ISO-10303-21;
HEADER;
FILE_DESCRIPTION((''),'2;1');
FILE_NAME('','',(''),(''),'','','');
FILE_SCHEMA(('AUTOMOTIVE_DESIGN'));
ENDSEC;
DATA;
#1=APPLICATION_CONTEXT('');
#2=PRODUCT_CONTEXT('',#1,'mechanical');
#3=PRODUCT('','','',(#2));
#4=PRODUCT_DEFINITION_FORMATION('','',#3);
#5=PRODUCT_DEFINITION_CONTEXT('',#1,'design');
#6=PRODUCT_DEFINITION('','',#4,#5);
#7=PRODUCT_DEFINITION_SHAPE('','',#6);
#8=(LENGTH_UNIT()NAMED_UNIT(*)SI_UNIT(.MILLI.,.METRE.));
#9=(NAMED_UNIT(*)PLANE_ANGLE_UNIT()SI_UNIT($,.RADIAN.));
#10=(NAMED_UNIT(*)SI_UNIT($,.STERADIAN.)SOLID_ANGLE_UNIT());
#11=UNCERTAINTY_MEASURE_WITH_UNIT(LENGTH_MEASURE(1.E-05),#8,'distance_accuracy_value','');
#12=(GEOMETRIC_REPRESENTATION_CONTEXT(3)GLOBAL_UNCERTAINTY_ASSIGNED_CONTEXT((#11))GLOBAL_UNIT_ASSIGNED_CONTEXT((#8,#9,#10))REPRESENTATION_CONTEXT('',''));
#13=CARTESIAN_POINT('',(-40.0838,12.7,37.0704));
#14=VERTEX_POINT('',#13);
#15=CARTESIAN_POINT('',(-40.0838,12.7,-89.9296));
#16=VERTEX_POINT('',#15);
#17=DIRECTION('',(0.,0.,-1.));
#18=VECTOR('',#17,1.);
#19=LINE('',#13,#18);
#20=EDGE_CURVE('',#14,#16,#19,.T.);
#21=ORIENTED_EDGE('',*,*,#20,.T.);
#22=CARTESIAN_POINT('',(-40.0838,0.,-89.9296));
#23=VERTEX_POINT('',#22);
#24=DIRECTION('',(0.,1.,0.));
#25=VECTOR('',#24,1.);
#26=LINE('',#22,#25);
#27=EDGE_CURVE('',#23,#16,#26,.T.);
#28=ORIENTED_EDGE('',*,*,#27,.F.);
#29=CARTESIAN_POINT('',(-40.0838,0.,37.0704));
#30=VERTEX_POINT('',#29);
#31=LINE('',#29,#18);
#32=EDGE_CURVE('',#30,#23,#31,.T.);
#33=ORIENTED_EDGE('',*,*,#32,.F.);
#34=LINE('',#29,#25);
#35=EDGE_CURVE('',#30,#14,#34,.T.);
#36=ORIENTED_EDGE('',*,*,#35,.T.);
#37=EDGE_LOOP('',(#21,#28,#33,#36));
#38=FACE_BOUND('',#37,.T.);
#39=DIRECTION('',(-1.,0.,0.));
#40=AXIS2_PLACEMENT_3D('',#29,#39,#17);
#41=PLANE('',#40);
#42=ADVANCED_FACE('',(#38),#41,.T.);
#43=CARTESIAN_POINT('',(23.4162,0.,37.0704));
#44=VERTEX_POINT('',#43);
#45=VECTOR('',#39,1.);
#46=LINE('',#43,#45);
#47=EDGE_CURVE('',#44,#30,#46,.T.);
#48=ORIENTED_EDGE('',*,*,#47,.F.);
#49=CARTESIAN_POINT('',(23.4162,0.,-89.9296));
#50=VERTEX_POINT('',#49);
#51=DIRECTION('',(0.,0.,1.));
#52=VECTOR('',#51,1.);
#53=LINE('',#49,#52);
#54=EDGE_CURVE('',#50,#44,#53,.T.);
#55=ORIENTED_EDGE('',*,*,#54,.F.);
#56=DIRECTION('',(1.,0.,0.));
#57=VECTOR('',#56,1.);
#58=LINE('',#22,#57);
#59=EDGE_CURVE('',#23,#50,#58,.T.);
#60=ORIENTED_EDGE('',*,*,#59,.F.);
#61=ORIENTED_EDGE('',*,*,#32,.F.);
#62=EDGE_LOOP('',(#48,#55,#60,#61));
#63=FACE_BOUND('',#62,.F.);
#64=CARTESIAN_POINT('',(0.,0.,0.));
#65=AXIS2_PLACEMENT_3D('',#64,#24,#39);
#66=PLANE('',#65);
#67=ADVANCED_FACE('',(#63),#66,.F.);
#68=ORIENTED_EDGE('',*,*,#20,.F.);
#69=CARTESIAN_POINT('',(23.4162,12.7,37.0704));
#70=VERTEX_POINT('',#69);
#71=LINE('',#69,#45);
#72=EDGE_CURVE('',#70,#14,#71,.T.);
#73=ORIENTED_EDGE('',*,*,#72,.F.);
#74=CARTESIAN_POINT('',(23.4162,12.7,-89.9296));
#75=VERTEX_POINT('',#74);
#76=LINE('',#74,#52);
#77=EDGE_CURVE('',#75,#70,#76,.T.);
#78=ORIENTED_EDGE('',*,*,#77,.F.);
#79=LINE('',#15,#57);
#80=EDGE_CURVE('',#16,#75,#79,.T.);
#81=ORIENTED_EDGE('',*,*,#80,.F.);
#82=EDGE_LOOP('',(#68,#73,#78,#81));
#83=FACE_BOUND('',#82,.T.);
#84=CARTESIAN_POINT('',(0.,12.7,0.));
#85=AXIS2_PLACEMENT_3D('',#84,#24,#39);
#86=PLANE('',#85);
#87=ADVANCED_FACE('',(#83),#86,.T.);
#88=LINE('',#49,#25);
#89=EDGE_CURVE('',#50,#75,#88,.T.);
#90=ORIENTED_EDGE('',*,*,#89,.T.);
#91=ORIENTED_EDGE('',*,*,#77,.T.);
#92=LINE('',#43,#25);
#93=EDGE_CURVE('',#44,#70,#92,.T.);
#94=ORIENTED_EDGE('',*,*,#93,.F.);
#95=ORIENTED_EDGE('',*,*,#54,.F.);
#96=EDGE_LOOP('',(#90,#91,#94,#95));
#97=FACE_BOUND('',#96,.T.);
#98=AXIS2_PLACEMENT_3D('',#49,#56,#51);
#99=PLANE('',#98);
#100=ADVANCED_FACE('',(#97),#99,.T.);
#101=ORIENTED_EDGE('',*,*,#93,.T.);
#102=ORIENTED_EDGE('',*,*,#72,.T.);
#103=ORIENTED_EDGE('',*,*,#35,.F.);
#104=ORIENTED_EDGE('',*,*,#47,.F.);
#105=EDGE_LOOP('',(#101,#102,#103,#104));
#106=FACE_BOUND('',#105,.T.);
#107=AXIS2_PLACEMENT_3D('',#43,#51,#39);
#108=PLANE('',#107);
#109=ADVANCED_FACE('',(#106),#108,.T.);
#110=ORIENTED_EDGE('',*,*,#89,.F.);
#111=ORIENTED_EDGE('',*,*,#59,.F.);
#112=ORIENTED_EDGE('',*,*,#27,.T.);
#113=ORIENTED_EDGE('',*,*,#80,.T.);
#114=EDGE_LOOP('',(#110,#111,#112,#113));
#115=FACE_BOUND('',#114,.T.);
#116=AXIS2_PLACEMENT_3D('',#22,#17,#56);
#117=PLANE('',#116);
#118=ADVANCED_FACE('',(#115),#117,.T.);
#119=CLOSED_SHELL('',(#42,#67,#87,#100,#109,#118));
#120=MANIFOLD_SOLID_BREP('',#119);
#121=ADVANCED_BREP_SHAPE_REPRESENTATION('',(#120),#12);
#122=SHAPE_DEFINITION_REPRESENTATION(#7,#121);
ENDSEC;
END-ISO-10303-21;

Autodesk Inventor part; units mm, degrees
ref_plane "YZ Plane" through (0, 0, 0) normal (1, 0, 0) x (0, 1, 0)
ref_plane "XZ Plane" through (0, 0, 0) normal (0, 1, 0) x (-1, 0, 0)
ref_plane "XY Plane" through (0, 0, 0) normal (0, 0, 1) x (1, 0, 0)
sketch "Sketch1" plane through (0, 0, 0) normal (0, 1, 0) x (-1, 0, 0)
  line L0 (-23.4162, 37.0704) -> (40.0838, 37.0704)
  line L1 (40.0838, 37.0704) -> (40.0838, -89.9296)
  line L2 (40.0838, -89.9296) -> (-23.4162, -89.9296)
  line L3 (-23.4162, -89.9296) -> (-23.4162, 37.0704)
  point P0 (0, 0)
  dimension "d0" = 63.5
  dimension "d1" = 127
extrude "Extrusion1" add sketch "Sketch1" along normal blind 12.7
properties part number "AND Gate"
